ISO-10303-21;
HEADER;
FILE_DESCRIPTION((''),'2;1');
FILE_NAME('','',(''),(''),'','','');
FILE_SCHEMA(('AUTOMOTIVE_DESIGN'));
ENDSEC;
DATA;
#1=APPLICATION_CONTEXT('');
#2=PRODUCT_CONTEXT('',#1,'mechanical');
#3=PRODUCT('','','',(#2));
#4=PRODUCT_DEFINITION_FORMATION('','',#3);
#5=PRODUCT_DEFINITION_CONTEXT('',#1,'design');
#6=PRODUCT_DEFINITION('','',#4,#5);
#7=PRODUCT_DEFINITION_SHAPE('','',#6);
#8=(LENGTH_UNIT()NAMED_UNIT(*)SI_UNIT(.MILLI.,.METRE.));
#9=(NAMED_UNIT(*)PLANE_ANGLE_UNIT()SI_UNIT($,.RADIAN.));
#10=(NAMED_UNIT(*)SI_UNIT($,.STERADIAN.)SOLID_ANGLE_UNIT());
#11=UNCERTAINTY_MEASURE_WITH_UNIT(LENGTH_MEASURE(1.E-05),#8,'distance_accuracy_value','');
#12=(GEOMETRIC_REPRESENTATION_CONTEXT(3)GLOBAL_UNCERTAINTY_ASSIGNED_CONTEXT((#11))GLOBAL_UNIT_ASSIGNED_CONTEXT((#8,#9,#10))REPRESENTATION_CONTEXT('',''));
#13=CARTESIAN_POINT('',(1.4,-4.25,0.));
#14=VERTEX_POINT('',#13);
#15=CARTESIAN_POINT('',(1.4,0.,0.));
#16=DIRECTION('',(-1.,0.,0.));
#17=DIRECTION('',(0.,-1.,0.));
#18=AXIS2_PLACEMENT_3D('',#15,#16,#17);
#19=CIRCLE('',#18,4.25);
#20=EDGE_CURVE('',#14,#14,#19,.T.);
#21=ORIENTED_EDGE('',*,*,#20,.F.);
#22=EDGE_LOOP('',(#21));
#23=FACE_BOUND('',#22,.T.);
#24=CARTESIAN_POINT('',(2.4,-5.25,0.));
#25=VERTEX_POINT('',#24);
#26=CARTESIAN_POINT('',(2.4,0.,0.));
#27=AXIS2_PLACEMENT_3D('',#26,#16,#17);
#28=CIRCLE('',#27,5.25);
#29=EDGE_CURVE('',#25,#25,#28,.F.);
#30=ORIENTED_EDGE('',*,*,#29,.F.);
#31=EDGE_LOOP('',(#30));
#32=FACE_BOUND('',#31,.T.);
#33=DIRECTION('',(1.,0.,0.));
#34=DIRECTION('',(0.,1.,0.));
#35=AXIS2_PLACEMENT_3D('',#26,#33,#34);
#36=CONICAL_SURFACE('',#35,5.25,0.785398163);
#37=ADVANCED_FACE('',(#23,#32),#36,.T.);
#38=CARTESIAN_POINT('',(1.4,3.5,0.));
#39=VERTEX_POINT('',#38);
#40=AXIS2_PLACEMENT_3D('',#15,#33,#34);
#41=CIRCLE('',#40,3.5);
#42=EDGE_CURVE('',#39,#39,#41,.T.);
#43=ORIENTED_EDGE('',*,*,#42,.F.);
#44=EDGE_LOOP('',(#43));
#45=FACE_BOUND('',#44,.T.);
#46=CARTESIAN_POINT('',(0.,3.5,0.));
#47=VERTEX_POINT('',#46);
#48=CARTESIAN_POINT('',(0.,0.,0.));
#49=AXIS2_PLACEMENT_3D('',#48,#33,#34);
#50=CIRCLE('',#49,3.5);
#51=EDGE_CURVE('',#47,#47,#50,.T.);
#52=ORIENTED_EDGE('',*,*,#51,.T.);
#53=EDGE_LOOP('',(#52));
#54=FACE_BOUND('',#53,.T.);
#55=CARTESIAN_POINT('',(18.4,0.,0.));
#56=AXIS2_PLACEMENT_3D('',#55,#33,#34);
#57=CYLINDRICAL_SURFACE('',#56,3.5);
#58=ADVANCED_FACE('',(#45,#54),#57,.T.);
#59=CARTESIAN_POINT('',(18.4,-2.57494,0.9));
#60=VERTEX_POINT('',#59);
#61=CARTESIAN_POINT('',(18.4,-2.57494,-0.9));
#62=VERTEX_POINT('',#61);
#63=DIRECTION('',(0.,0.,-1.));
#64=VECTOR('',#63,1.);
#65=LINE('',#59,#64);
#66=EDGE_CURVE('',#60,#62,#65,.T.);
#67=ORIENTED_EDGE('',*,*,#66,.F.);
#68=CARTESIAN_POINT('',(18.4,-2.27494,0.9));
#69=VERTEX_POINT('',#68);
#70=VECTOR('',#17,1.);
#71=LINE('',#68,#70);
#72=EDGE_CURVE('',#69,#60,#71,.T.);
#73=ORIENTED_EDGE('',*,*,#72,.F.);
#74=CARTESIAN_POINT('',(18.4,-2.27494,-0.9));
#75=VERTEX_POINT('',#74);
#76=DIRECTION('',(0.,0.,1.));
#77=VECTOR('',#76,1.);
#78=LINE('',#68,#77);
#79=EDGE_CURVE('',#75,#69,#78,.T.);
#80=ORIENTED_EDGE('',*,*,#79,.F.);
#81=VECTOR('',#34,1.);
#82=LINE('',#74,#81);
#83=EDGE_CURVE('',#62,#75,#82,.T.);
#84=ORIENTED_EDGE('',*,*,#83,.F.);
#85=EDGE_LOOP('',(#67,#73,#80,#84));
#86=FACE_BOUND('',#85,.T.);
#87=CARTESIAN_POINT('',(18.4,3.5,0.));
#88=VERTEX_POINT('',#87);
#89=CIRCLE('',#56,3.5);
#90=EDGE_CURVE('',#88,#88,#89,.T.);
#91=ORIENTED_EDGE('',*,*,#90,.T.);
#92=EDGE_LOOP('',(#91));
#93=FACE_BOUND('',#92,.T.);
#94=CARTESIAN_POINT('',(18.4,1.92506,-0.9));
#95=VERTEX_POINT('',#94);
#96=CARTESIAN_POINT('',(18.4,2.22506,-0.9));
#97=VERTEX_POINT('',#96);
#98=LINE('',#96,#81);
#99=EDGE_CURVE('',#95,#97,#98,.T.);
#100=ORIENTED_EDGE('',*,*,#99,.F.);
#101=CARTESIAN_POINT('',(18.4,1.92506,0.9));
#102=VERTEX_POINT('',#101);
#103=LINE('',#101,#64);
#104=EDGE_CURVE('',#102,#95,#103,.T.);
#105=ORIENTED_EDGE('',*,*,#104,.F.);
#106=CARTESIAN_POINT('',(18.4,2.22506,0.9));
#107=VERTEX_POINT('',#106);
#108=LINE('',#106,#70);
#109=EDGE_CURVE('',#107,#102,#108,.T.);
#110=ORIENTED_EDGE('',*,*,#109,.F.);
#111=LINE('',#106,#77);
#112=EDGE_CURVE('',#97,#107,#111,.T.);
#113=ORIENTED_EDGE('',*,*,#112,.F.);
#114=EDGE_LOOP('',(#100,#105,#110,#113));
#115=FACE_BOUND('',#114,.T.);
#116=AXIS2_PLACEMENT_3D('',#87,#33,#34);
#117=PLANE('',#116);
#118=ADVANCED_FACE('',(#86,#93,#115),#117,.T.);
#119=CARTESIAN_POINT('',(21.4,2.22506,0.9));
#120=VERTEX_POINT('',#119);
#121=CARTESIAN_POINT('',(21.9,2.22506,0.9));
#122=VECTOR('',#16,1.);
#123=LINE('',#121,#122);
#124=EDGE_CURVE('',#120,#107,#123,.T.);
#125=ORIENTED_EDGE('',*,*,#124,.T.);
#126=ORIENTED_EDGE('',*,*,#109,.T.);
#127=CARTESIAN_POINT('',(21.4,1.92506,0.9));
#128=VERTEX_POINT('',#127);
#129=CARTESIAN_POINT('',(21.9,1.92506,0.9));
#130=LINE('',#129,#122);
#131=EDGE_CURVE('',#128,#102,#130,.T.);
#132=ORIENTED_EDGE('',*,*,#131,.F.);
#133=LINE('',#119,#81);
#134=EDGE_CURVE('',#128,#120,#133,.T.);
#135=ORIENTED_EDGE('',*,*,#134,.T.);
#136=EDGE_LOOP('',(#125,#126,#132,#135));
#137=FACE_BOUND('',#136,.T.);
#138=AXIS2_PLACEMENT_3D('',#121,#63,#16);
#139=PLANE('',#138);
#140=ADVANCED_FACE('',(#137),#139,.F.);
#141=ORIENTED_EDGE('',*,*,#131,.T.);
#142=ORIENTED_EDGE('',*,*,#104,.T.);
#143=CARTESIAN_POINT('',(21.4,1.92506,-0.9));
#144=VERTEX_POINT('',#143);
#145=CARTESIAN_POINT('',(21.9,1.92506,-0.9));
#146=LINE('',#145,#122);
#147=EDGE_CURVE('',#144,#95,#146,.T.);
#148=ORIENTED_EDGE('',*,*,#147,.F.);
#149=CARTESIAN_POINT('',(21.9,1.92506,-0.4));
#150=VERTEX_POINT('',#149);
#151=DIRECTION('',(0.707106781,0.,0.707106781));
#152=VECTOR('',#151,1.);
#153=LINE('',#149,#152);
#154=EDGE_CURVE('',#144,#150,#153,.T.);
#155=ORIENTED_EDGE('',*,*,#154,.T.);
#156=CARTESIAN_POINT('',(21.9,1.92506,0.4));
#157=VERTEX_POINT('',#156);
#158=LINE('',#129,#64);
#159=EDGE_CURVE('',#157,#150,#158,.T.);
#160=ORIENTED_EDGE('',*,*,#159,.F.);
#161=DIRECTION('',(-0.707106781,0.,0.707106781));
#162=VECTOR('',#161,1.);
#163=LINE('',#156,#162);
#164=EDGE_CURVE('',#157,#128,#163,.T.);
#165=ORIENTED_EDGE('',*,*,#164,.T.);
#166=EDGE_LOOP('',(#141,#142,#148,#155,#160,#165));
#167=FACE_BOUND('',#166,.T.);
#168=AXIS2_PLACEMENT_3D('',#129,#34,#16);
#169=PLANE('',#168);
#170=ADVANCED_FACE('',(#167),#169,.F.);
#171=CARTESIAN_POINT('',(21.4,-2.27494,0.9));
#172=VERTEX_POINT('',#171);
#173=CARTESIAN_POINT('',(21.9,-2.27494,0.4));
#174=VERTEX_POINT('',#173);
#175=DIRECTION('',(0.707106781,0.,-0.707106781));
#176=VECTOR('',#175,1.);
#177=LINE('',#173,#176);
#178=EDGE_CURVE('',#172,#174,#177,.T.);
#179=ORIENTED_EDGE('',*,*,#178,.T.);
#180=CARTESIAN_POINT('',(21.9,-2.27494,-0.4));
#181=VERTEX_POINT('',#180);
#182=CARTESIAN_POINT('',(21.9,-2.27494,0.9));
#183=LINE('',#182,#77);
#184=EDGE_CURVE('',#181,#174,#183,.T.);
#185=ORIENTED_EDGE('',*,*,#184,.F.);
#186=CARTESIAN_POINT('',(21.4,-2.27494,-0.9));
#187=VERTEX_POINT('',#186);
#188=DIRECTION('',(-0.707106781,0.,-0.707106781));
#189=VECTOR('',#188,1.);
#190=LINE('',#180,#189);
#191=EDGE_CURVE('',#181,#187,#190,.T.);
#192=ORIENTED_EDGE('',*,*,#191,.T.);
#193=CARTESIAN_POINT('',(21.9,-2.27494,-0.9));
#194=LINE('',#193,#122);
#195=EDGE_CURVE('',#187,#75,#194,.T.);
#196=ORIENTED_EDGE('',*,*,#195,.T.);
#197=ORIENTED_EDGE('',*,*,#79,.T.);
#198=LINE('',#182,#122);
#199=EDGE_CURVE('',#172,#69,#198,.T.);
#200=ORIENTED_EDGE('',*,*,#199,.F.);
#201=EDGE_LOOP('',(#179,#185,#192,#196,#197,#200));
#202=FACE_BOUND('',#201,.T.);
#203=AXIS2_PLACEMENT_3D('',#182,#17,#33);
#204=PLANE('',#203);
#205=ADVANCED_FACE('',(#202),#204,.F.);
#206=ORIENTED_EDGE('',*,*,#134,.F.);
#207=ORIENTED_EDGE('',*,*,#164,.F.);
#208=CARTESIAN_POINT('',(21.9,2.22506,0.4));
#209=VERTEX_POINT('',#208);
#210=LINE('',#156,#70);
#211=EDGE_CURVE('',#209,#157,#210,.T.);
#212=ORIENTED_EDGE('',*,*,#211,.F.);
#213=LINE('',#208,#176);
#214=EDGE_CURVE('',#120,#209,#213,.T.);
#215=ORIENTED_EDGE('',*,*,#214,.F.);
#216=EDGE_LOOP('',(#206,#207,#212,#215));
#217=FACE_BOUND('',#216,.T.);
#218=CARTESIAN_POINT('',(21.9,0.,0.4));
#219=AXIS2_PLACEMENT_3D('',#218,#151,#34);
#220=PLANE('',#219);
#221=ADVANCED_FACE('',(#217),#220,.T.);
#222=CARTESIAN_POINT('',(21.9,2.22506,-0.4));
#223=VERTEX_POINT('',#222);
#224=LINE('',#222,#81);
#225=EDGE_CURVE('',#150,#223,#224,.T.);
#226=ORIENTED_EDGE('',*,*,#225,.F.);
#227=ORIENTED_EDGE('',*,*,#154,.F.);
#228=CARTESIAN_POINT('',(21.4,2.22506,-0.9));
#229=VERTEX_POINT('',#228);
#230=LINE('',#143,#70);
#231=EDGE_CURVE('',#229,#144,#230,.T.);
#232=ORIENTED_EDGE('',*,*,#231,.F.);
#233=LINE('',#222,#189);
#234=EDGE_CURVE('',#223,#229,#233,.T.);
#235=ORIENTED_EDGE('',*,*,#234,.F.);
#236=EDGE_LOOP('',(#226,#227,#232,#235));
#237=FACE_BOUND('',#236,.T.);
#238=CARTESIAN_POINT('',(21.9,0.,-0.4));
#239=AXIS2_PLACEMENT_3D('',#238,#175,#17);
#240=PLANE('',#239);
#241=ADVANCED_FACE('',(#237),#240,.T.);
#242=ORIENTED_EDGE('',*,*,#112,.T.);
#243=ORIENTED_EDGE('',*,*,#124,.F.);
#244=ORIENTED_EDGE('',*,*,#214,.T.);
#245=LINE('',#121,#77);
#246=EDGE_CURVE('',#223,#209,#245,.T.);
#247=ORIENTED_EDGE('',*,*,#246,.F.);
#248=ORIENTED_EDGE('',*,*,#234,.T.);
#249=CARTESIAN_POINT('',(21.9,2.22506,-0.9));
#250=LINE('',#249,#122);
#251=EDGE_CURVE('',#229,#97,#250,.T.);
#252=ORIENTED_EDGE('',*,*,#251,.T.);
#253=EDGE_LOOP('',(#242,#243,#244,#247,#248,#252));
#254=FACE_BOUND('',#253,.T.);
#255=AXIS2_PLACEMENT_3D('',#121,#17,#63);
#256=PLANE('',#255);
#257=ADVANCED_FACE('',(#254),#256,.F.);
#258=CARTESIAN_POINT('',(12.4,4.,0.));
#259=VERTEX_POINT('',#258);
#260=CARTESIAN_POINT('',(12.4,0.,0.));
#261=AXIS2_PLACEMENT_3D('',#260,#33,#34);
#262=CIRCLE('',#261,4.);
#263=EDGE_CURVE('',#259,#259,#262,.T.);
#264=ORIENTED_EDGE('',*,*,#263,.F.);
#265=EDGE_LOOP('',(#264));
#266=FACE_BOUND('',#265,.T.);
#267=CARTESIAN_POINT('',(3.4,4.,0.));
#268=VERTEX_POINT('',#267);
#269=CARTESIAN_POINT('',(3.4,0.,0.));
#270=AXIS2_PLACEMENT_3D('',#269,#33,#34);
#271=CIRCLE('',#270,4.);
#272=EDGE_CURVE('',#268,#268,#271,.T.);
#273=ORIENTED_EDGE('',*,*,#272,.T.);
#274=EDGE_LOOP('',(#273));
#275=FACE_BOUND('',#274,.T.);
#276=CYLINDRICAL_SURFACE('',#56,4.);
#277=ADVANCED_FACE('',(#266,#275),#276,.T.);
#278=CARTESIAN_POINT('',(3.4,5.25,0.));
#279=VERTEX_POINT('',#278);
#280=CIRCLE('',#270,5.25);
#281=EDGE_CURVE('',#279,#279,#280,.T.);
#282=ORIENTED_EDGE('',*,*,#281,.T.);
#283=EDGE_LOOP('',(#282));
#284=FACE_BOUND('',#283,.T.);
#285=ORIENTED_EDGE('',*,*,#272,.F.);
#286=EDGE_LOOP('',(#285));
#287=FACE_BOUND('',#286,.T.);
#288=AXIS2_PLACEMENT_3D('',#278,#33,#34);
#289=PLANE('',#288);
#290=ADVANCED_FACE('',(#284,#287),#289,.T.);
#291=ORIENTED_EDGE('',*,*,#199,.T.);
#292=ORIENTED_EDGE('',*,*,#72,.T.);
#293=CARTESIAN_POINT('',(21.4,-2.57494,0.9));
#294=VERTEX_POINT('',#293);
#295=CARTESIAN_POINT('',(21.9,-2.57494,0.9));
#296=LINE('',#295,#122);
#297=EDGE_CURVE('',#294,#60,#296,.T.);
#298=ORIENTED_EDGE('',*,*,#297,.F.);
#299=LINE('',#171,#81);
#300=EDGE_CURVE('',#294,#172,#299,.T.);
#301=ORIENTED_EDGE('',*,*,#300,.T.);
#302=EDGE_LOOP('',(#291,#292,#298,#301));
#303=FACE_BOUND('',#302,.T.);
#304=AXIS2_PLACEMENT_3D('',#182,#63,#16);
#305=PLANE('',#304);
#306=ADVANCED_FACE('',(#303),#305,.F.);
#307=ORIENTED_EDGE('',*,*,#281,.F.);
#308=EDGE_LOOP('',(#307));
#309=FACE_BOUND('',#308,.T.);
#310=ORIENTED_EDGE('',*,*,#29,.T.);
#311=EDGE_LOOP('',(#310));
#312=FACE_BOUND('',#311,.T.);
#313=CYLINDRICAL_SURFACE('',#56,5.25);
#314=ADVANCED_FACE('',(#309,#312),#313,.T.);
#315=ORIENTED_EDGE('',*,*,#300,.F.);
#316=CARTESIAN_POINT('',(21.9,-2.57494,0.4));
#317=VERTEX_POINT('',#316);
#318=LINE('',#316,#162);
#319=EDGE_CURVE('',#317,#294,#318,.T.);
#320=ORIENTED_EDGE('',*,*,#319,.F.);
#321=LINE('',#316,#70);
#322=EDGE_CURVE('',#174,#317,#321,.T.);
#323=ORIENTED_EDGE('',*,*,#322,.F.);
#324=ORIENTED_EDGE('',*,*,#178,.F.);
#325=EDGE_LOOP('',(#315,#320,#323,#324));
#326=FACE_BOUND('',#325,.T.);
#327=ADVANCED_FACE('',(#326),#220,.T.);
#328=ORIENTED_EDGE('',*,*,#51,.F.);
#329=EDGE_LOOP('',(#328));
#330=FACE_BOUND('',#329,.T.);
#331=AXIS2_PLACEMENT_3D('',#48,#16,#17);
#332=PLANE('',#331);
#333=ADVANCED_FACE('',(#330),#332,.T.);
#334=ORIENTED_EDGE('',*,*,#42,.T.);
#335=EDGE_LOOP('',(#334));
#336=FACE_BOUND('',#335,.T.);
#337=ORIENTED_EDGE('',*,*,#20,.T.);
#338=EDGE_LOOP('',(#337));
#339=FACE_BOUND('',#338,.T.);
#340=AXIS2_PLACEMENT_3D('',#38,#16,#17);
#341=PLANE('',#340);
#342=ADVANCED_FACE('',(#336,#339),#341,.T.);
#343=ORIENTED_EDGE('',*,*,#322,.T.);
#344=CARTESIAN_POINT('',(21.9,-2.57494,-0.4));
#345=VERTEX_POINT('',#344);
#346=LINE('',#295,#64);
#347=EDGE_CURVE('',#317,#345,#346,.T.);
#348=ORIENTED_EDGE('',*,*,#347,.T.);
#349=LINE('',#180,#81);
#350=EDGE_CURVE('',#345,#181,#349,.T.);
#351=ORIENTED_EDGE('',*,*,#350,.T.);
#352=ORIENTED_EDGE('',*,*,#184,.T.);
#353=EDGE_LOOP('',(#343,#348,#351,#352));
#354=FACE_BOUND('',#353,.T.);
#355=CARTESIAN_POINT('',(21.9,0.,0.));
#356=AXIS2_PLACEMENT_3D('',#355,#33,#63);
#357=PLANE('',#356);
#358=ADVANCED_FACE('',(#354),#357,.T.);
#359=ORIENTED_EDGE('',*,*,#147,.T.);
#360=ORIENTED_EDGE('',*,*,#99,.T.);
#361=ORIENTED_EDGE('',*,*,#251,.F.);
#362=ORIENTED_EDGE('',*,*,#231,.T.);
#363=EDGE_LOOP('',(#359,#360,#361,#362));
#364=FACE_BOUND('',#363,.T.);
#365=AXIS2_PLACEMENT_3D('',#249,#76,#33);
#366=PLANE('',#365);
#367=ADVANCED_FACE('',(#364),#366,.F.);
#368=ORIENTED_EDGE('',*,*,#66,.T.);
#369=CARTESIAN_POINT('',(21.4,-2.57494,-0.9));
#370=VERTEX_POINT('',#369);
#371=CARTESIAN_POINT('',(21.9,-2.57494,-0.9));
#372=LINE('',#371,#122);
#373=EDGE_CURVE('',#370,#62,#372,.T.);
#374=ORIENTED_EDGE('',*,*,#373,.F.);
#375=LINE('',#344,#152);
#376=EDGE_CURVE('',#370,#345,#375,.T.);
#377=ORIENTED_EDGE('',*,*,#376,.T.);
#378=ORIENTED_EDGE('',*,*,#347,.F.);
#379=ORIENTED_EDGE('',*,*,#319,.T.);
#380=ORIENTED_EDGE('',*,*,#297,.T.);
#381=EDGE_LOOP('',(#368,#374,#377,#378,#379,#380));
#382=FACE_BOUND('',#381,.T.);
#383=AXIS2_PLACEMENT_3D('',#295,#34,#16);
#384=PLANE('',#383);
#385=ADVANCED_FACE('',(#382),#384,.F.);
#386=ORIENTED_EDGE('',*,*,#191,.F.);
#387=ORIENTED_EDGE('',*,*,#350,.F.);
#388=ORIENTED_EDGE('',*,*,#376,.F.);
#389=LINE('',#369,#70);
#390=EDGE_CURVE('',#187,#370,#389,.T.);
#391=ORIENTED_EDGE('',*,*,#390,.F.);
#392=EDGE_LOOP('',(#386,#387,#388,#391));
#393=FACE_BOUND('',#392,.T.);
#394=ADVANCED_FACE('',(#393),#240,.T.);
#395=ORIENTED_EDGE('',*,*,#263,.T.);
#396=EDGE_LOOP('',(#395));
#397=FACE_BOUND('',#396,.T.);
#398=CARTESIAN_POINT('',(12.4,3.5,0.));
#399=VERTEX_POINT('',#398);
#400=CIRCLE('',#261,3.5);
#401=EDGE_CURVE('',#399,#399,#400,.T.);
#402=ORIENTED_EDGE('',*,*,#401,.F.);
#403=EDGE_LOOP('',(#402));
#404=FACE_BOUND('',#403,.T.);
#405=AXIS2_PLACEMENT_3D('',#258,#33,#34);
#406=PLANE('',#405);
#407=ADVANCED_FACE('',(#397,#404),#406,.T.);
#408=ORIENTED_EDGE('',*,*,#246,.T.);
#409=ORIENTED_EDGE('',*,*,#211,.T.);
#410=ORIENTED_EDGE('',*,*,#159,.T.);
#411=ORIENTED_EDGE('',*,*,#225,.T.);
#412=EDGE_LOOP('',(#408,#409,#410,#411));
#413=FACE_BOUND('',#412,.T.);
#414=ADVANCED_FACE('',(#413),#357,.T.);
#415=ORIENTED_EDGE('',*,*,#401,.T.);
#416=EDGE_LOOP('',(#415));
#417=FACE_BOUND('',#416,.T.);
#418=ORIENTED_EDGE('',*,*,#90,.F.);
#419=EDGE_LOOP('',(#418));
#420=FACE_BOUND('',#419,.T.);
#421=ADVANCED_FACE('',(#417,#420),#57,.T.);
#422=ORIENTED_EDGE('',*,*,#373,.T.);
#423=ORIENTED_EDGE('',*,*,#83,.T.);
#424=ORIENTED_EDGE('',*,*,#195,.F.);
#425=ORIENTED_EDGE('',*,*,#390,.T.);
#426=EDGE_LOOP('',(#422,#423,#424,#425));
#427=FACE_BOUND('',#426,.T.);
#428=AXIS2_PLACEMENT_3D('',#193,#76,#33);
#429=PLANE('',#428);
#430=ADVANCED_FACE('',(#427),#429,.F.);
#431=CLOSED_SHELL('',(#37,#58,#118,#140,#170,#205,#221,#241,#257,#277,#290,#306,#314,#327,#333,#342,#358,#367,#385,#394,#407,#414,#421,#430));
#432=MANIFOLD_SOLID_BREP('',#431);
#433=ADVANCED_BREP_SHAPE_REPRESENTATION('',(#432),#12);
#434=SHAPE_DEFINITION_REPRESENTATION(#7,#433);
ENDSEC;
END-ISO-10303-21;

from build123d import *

# Parameters (mm, degrees)
CHAMFER_1_SIZE  = 1
SKETCH_2_W      = 1.8
SKETCH_2_H      = 0.3
EXTRUDE_1_DEPTH = 3.5
CHAMFER_2_SIZE  = 0.5


with BuildPart() as part:
    # 草图1 → 旋转1 (revolve)
    with BuildSketch(Plane.XY):
        Polygon((0, 0), (0, 3.5), (1.4, 3.5), (1.4, 5.25), (3.4, 5.25), (3.4, 4), (12.4, 4), (12.4, 3.5), (18.4, 3.5), (18.4, 0), align=None)
    revolve(axis=Axis((18.4, 0, 0), (-1, 0, 0)))

    # 倒角1
    chamfer_1_edges = [part.edges().sort_by_distance(p)[0] for p in [
        (1.4, -5.25, 0),
    ]]
    chamfer(chamfer_1_edges, length=CHAMFER_1_SIZE)

    # 草图2 → 凸台-拉伸1 (add)
    with BuildSketch(Plane(origin=(18.4, 0, 0), x_dir=(0, 0, -1), z_dir=(1, 0, 0))):
        with Locations((0, 2.075060306)):
            Rectangle(SKETCH_2_W, SKETCH_2_H)
        with Locations((0, -2.424939694)):
            Rectangle(SKETCH_2_W, SKETCH_2_H)
    extrude(amount=EXTRUDE_1_DEPTH)

    # 倒角2
    chamfer_2_edges = [part.edges().sort_by_distance(p)[0] for p in [
        (21.9, 2.075060306, 0.9),
        (21.9, 2.075060306, -0.9),
        (21.9, -2.424939694, 0.9),
        (21.9, -2.424939694, -0.9),
    ]]
    chamfer(chamfer_2_edges, length=CHAMFER_2_SIZE)


solid = part.part
